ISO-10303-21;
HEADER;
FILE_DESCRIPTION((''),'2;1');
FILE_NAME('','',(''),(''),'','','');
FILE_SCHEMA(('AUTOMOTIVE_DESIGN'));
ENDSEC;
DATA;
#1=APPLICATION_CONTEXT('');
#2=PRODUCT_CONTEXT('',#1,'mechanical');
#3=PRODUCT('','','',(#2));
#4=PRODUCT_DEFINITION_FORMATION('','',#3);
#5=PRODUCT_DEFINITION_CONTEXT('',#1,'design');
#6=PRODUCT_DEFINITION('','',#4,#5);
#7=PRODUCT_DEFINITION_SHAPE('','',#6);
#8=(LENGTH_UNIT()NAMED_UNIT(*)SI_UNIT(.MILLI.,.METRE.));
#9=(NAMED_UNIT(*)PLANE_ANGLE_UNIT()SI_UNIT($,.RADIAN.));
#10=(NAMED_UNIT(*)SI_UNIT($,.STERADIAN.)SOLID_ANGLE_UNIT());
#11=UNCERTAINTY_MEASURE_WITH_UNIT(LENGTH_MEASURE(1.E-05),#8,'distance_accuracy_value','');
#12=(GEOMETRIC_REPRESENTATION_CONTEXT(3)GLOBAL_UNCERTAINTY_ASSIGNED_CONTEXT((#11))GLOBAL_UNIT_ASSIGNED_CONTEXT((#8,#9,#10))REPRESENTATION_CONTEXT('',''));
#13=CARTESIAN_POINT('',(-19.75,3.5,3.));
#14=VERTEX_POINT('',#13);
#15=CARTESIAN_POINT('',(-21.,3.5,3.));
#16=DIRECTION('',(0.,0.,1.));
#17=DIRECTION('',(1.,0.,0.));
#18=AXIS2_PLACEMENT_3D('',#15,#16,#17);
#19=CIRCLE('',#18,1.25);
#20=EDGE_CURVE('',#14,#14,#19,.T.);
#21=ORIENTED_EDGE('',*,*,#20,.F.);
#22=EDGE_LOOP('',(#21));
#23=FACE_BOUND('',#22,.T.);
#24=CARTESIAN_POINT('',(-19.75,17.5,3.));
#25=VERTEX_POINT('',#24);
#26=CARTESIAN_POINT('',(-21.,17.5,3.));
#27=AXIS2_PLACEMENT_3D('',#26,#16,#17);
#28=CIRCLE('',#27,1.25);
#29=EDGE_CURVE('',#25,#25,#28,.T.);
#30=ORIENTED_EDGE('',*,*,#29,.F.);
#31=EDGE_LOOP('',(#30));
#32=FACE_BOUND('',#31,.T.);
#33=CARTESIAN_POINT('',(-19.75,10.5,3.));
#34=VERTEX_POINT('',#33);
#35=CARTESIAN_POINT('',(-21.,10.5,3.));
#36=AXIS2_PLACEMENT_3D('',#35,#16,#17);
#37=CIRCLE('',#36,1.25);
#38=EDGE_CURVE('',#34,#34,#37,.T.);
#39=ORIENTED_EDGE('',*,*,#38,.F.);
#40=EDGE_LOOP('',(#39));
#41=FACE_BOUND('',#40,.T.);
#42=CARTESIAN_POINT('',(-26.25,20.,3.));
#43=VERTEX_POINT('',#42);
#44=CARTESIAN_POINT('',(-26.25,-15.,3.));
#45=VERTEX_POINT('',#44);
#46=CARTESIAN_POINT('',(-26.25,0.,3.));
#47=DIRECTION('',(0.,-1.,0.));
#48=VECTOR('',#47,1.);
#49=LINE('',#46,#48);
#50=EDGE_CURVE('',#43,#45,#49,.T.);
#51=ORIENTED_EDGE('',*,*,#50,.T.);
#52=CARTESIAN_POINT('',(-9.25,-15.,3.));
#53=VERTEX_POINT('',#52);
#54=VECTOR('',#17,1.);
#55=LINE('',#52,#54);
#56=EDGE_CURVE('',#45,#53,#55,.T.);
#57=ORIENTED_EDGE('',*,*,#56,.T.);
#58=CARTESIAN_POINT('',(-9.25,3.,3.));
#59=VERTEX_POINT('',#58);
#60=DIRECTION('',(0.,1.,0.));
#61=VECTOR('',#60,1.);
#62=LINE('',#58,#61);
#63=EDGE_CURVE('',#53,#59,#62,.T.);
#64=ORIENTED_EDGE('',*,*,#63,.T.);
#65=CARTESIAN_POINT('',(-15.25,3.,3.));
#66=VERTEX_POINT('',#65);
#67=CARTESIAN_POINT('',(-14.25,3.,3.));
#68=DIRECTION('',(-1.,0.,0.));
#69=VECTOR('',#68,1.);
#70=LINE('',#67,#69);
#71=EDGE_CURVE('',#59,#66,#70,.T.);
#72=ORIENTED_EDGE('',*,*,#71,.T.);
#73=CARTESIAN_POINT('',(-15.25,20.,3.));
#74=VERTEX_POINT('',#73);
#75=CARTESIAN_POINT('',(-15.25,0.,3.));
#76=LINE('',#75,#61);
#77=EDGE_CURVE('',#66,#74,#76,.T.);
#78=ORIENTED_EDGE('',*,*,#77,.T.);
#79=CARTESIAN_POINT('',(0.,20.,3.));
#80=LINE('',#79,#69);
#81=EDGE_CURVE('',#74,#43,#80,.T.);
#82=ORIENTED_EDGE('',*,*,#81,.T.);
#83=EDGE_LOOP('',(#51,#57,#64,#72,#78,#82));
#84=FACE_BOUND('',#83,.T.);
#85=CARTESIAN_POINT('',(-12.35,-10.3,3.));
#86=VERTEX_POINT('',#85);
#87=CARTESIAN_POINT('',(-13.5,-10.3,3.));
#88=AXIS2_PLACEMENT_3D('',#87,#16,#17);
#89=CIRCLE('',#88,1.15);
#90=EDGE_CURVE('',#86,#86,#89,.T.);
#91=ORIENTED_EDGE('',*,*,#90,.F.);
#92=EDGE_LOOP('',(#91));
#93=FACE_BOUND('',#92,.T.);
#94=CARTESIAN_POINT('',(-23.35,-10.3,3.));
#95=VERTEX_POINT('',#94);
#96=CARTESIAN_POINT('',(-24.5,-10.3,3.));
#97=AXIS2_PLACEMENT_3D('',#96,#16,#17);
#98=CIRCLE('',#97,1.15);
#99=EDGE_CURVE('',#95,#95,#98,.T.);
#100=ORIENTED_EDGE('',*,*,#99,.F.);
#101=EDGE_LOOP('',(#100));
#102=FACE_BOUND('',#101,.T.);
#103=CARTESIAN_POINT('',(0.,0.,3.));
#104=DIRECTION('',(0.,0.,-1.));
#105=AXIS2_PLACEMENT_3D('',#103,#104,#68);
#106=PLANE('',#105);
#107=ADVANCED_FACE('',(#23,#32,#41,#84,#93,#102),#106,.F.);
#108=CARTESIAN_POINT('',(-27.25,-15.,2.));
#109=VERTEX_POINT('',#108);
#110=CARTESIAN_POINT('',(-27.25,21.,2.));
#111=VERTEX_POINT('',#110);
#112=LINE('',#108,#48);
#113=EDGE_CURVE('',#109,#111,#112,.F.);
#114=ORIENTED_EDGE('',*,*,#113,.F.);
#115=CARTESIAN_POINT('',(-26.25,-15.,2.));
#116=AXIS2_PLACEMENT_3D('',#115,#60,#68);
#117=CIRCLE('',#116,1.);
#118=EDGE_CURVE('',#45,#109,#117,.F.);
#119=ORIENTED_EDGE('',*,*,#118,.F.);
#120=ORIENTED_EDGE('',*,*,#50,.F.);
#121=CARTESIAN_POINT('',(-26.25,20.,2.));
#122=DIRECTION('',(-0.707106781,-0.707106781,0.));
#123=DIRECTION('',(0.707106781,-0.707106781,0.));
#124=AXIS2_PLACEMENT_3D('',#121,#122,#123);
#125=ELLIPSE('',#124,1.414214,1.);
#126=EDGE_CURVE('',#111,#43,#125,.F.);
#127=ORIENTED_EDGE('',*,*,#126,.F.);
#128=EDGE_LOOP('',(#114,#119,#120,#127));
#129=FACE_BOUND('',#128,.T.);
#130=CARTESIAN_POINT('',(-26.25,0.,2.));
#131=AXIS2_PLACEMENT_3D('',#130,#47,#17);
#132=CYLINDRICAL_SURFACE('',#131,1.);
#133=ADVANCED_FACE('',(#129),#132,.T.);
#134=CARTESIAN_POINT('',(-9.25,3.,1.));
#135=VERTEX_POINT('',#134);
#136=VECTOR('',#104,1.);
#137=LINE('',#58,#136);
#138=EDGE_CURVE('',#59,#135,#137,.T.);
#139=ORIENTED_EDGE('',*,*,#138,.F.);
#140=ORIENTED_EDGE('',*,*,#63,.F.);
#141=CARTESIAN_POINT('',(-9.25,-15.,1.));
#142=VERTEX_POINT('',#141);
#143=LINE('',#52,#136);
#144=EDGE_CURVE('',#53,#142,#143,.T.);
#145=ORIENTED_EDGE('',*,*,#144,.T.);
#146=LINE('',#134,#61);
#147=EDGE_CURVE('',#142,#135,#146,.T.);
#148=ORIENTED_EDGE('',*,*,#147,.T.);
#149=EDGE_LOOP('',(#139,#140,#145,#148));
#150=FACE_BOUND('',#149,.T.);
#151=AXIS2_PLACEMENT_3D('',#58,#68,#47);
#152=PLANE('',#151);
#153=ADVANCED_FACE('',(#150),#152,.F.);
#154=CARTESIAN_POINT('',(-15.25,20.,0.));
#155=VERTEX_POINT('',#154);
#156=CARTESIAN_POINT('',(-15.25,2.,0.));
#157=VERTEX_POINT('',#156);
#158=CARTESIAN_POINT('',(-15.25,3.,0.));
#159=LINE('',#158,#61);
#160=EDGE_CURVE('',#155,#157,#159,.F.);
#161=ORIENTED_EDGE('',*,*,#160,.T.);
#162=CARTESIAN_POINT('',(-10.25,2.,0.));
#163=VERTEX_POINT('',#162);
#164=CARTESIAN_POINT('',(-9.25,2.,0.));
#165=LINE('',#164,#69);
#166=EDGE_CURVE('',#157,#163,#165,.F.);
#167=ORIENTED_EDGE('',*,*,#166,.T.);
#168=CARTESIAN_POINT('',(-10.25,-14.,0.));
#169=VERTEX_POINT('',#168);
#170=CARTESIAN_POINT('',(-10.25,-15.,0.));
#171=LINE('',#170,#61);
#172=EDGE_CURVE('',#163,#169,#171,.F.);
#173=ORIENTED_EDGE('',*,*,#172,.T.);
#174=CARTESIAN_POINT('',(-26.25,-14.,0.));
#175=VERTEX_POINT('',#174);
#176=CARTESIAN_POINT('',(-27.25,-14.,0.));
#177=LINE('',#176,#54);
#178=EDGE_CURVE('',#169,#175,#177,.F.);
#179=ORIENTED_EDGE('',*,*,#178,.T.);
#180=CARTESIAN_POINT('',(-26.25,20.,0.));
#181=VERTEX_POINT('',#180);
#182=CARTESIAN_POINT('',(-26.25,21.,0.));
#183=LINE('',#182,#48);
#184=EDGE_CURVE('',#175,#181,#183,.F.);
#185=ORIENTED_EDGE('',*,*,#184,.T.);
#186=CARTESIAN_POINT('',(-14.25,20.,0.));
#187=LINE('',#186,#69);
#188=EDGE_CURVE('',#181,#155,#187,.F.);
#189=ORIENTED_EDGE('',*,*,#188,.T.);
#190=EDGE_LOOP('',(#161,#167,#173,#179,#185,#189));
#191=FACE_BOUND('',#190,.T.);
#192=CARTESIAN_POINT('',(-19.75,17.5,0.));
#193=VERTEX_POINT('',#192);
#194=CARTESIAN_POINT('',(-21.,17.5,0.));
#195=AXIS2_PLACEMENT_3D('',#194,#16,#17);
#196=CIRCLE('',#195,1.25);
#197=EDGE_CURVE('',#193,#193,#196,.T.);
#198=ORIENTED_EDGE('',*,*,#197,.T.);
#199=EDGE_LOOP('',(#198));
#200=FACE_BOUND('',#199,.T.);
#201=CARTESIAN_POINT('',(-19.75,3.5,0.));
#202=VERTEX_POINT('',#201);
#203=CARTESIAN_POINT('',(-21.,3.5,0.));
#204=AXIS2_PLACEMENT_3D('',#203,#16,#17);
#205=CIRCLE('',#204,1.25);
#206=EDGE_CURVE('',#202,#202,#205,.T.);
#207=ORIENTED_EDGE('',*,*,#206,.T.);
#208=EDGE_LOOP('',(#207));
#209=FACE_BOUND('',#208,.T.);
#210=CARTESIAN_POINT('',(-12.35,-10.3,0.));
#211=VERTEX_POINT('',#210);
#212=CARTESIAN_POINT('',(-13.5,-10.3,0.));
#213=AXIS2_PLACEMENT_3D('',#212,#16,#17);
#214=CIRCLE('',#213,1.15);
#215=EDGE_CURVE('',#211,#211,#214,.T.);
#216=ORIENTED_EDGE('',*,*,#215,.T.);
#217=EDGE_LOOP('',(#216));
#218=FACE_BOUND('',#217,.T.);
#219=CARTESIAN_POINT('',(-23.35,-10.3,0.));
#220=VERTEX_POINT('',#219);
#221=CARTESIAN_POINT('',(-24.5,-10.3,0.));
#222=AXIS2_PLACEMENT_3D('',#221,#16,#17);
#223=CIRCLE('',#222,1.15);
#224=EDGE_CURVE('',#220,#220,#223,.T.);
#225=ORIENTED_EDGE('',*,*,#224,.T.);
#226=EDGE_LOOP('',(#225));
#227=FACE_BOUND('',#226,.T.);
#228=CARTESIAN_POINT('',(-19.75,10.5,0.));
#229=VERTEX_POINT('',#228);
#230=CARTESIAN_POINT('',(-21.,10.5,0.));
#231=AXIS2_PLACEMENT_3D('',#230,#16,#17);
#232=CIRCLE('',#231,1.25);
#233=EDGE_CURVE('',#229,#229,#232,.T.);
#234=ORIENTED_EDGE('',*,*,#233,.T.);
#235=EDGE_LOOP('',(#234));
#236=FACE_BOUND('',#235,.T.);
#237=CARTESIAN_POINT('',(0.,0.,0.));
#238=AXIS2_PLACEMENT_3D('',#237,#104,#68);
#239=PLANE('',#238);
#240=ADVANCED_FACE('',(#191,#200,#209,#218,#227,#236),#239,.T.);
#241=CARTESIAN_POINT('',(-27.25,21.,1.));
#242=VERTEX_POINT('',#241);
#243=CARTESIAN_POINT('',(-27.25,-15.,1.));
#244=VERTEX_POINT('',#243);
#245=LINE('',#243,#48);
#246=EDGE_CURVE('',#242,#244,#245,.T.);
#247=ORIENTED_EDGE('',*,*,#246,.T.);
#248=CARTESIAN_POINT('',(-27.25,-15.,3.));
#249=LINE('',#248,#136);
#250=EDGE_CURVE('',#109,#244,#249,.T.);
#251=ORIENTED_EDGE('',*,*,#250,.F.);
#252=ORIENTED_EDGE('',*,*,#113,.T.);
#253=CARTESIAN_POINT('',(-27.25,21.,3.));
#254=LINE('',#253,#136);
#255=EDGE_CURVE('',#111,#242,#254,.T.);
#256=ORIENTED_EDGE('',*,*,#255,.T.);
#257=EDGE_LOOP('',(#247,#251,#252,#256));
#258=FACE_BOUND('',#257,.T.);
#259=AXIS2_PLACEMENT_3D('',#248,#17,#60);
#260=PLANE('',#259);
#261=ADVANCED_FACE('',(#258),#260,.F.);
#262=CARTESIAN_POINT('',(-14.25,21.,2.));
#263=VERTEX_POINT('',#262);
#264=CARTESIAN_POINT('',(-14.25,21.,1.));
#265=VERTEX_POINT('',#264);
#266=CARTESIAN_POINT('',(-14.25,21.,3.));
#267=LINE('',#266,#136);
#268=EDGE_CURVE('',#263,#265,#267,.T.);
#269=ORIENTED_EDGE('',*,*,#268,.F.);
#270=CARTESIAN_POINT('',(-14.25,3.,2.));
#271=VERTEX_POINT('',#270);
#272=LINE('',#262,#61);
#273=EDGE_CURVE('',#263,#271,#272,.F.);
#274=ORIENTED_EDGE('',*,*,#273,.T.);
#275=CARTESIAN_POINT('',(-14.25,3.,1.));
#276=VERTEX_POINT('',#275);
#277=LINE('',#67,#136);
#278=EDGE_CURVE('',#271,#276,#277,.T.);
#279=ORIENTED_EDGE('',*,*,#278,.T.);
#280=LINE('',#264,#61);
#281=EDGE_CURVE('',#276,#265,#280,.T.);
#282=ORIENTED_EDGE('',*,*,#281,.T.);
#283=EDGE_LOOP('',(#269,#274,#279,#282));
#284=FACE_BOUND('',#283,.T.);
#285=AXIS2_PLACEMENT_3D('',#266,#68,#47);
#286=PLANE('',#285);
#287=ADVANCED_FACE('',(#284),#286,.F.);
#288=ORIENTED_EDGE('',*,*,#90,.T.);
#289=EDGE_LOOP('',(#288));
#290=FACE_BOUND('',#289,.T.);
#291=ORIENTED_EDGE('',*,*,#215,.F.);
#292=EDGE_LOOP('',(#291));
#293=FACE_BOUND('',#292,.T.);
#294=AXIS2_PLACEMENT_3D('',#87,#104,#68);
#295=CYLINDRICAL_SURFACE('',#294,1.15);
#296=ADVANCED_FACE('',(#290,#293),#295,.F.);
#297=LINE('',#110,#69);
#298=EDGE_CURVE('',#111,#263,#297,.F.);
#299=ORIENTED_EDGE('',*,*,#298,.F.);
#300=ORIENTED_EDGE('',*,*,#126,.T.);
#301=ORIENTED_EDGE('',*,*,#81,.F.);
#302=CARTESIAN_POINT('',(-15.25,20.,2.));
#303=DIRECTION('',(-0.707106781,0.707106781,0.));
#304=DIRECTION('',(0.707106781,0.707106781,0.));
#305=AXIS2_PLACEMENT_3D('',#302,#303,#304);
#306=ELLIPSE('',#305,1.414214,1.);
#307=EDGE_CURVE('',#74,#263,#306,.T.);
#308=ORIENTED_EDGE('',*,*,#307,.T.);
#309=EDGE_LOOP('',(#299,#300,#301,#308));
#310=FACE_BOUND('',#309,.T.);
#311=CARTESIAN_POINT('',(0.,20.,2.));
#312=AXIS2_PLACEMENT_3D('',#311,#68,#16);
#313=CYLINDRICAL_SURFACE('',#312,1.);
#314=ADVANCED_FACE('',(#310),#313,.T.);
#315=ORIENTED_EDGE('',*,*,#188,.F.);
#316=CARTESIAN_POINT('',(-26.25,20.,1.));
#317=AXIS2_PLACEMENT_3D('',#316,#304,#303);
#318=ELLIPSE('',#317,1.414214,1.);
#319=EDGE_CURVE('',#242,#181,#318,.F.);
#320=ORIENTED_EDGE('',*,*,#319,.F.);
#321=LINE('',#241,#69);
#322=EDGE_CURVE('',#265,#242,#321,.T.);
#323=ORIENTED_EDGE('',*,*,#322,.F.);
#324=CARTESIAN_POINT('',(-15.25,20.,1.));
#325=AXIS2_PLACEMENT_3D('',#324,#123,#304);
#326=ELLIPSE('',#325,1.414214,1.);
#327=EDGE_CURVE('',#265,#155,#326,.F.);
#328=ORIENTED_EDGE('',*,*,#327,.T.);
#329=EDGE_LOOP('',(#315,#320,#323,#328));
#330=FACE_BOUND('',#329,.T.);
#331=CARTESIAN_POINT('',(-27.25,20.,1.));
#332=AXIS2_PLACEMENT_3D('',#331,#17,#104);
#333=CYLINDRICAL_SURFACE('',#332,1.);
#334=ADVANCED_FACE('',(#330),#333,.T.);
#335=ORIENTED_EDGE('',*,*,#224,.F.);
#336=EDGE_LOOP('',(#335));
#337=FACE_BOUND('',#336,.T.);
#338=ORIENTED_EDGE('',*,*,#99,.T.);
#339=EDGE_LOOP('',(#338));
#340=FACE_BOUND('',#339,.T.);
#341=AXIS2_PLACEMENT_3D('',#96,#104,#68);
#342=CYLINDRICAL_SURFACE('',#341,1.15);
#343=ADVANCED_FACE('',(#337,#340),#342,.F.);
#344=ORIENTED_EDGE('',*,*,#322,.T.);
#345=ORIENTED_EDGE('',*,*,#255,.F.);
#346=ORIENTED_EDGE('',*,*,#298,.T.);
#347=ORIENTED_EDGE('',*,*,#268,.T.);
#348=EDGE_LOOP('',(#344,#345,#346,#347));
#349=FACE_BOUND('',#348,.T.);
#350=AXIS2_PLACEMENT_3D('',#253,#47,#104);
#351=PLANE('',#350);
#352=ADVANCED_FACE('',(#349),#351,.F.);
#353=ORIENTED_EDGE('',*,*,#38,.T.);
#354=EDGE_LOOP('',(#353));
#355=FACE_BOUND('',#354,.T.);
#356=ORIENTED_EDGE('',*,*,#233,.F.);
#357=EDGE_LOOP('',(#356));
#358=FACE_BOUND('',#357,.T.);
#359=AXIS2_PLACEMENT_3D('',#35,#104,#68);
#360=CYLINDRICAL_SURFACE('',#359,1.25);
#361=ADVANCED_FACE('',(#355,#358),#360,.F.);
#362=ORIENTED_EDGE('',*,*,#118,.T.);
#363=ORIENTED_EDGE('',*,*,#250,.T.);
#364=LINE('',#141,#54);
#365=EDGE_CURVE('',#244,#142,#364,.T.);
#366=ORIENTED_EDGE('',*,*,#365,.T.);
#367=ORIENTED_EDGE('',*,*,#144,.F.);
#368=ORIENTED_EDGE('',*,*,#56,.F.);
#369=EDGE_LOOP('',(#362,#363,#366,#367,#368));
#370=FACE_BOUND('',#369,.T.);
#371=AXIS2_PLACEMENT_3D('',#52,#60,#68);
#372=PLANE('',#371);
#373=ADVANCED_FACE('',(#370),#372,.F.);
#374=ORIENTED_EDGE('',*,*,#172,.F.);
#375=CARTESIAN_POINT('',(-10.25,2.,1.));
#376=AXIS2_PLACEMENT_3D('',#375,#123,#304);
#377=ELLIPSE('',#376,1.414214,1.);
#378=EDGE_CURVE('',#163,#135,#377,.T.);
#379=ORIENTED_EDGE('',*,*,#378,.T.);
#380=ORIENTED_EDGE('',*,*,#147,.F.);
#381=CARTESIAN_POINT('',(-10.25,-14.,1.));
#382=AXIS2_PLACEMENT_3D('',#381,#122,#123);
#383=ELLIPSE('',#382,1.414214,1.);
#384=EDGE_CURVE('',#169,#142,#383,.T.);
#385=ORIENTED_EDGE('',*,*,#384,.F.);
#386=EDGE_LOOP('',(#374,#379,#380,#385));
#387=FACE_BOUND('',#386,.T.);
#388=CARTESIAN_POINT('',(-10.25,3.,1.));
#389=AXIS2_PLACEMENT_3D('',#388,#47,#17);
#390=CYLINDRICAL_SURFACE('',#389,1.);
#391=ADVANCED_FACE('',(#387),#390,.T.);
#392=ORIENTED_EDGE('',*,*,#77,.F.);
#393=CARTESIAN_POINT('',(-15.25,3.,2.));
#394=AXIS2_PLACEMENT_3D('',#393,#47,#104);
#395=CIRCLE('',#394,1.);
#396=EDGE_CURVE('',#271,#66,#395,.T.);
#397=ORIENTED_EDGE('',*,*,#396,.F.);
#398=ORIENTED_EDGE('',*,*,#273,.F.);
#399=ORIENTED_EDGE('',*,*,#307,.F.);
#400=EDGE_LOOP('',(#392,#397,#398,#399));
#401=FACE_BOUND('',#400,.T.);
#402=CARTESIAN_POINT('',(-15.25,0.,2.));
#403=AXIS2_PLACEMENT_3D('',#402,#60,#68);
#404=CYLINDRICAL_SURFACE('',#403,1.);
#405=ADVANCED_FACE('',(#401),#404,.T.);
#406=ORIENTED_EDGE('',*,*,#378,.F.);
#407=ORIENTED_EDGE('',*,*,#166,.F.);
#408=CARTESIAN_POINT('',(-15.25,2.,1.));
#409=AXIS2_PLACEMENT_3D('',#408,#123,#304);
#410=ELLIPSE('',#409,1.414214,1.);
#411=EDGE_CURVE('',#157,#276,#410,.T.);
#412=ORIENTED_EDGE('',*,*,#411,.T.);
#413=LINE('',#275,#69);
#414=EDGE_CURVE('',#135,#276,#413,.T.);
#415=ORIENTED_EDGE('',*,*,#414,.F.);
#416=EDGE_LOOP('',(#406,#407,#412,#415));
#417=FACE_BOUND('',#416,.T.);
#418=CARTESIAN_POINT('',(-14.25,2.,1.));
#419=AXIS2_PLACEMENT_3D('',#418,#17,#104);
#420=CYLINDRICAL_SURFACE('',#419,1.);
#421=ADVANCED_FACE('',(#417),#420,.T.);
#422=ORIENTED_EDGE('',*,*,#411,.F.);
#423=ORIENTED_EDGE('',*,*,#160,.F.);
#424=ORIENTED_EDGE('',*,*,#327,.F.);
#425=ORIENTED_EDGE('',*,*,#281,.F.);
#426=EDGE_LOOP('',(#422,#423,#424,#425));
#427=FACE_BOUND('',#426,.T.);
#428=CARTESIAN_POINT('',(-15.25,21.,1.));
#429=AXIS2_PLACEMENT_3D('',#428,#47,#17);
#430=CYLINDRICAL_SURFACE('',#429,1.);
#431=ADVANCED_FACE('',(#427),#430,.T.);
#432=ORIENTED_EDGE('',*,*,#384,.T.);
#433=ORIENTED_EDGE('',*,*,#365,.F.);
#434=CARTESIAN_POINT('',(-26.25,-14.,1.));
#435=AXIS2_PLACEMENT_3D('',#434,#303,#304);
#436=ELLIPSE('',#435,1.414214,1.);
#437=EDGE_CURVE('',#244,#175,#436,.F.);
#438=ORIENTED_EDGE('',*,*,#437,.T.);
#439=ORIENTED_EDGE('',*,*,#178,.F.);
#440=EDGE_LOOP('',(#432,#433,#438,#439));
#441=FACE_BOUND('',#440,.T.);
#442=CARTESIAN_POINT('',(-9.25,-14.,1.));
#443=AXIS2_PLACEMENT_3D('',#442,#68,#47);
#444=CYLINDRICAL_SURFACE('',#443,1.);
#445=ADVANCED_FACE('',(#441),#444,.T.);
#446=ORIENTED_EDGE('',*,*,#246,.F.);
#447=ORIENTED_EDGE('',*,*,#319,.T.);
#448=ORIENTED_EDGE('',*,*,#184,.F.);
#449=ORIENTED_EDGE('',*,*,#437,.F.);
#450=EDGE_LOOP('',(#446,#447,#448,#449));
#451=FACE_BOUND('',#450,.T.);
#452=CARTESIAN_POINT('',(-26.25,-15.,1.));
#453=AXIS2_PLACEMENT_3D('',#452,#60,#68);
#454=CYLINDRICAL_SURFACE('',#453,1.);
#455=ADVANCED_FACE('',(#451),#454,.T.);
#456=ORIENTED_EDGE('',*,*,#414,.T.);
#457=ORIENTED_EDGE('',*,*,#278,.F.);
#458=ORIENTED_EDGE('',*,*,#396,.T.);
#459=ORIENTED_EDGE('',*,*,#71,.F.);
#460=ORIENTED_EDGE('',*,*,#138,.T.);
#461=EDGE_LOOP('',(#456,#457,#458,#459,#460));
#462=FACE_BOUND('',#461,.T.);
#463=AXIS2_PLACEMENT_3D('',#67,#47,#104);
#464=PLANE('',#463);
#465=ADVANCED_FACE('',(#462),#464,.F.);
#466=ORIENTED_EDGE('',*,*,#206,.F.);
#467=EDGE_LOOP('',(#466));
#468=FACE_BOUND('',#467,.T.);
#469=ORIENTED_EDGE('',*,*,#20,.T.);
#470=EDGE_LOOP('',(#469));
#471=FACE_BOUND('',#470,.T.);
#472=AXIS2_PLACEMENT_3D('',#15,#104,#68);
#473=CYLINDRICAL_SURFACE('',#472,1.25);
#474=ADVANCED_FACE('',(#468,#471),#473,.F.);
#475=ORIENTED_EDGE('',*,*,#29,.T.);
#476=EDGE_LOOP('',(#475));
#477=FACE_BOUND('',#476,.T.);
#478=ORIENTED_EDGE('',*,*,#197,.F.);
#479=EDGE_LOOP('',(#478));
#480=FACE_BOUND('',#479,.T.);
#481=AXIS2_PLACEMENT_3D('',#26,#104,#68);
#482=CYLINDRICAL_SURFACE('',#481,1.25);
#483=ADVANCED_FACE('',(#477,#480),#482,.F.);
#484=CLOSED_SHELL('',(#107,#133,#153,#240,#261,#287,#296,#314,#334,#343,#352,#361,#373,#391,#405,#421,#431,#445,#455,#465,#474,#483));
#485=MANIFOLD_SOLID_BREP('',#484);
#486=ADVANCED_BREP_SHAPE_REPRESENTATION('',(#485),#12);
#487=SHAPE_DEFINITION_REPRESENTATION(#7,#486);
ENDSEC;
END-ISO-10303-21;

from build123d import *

# Parameters (mm, degrees)
SKETCH1_R           = 1.25
SKETCH1_R_2         = 1.15
BOSS_EXTRUDE1_DEPTH = 3
FILLET2_R           = 1


with BuildPart() as part:
    # Sketch1 → Boss-Extrude1 (new body)
    with BuildSketch(Plane.XY):
        Polygon((-27.25, 21), (-27.25, 0), (-27.25, -15), (-9.25, -15), (-9.25, 3), (-14.25, 3), (-14.25, 21), align=None)
        with Locations((-21, 17.5)):
            Circle(SKETCH1_R, mode=Mode.SUBTRACT)
        with Locations((-21, 10.5)):
            Circle(SKETCH1_R, mode=Mode.SUBTRACT)
        with Locations((-21, 3.5)):
            Circle(SKETCH1_R, mode=Mode.SUBTRACT)
        with Locations((-13.5, -10.3)):
            Circle(SKETCH1_R_2, mode=Mode.SUBTRACT)
        with Locations((-24.5, -10.3)):
            Circle(SKETCH1_R_2, mode=Mode.SUBTRACT)
    extrude(amount=BOSS_EXTRUDE1_DEPTH)

    # Fillet2
    fillet2_edges = [part.edges().sort_by_distance(p)[0] for p in [
        (-20.75, 21, 0),
        (-14.25, 12, 3),
        (-20.75, 21, 3),
        (-14.25, 12, 0),
        (-11.75, 3, 0),
        (-9.25, -6, 0),
        (-18.25, -15, 0),
        (-27.25, 3, 3),
        (-27.25, 3, 0),
    ]]
    fillet(fillet2_edges, radius=FILLET2_R)


solid = part.part
